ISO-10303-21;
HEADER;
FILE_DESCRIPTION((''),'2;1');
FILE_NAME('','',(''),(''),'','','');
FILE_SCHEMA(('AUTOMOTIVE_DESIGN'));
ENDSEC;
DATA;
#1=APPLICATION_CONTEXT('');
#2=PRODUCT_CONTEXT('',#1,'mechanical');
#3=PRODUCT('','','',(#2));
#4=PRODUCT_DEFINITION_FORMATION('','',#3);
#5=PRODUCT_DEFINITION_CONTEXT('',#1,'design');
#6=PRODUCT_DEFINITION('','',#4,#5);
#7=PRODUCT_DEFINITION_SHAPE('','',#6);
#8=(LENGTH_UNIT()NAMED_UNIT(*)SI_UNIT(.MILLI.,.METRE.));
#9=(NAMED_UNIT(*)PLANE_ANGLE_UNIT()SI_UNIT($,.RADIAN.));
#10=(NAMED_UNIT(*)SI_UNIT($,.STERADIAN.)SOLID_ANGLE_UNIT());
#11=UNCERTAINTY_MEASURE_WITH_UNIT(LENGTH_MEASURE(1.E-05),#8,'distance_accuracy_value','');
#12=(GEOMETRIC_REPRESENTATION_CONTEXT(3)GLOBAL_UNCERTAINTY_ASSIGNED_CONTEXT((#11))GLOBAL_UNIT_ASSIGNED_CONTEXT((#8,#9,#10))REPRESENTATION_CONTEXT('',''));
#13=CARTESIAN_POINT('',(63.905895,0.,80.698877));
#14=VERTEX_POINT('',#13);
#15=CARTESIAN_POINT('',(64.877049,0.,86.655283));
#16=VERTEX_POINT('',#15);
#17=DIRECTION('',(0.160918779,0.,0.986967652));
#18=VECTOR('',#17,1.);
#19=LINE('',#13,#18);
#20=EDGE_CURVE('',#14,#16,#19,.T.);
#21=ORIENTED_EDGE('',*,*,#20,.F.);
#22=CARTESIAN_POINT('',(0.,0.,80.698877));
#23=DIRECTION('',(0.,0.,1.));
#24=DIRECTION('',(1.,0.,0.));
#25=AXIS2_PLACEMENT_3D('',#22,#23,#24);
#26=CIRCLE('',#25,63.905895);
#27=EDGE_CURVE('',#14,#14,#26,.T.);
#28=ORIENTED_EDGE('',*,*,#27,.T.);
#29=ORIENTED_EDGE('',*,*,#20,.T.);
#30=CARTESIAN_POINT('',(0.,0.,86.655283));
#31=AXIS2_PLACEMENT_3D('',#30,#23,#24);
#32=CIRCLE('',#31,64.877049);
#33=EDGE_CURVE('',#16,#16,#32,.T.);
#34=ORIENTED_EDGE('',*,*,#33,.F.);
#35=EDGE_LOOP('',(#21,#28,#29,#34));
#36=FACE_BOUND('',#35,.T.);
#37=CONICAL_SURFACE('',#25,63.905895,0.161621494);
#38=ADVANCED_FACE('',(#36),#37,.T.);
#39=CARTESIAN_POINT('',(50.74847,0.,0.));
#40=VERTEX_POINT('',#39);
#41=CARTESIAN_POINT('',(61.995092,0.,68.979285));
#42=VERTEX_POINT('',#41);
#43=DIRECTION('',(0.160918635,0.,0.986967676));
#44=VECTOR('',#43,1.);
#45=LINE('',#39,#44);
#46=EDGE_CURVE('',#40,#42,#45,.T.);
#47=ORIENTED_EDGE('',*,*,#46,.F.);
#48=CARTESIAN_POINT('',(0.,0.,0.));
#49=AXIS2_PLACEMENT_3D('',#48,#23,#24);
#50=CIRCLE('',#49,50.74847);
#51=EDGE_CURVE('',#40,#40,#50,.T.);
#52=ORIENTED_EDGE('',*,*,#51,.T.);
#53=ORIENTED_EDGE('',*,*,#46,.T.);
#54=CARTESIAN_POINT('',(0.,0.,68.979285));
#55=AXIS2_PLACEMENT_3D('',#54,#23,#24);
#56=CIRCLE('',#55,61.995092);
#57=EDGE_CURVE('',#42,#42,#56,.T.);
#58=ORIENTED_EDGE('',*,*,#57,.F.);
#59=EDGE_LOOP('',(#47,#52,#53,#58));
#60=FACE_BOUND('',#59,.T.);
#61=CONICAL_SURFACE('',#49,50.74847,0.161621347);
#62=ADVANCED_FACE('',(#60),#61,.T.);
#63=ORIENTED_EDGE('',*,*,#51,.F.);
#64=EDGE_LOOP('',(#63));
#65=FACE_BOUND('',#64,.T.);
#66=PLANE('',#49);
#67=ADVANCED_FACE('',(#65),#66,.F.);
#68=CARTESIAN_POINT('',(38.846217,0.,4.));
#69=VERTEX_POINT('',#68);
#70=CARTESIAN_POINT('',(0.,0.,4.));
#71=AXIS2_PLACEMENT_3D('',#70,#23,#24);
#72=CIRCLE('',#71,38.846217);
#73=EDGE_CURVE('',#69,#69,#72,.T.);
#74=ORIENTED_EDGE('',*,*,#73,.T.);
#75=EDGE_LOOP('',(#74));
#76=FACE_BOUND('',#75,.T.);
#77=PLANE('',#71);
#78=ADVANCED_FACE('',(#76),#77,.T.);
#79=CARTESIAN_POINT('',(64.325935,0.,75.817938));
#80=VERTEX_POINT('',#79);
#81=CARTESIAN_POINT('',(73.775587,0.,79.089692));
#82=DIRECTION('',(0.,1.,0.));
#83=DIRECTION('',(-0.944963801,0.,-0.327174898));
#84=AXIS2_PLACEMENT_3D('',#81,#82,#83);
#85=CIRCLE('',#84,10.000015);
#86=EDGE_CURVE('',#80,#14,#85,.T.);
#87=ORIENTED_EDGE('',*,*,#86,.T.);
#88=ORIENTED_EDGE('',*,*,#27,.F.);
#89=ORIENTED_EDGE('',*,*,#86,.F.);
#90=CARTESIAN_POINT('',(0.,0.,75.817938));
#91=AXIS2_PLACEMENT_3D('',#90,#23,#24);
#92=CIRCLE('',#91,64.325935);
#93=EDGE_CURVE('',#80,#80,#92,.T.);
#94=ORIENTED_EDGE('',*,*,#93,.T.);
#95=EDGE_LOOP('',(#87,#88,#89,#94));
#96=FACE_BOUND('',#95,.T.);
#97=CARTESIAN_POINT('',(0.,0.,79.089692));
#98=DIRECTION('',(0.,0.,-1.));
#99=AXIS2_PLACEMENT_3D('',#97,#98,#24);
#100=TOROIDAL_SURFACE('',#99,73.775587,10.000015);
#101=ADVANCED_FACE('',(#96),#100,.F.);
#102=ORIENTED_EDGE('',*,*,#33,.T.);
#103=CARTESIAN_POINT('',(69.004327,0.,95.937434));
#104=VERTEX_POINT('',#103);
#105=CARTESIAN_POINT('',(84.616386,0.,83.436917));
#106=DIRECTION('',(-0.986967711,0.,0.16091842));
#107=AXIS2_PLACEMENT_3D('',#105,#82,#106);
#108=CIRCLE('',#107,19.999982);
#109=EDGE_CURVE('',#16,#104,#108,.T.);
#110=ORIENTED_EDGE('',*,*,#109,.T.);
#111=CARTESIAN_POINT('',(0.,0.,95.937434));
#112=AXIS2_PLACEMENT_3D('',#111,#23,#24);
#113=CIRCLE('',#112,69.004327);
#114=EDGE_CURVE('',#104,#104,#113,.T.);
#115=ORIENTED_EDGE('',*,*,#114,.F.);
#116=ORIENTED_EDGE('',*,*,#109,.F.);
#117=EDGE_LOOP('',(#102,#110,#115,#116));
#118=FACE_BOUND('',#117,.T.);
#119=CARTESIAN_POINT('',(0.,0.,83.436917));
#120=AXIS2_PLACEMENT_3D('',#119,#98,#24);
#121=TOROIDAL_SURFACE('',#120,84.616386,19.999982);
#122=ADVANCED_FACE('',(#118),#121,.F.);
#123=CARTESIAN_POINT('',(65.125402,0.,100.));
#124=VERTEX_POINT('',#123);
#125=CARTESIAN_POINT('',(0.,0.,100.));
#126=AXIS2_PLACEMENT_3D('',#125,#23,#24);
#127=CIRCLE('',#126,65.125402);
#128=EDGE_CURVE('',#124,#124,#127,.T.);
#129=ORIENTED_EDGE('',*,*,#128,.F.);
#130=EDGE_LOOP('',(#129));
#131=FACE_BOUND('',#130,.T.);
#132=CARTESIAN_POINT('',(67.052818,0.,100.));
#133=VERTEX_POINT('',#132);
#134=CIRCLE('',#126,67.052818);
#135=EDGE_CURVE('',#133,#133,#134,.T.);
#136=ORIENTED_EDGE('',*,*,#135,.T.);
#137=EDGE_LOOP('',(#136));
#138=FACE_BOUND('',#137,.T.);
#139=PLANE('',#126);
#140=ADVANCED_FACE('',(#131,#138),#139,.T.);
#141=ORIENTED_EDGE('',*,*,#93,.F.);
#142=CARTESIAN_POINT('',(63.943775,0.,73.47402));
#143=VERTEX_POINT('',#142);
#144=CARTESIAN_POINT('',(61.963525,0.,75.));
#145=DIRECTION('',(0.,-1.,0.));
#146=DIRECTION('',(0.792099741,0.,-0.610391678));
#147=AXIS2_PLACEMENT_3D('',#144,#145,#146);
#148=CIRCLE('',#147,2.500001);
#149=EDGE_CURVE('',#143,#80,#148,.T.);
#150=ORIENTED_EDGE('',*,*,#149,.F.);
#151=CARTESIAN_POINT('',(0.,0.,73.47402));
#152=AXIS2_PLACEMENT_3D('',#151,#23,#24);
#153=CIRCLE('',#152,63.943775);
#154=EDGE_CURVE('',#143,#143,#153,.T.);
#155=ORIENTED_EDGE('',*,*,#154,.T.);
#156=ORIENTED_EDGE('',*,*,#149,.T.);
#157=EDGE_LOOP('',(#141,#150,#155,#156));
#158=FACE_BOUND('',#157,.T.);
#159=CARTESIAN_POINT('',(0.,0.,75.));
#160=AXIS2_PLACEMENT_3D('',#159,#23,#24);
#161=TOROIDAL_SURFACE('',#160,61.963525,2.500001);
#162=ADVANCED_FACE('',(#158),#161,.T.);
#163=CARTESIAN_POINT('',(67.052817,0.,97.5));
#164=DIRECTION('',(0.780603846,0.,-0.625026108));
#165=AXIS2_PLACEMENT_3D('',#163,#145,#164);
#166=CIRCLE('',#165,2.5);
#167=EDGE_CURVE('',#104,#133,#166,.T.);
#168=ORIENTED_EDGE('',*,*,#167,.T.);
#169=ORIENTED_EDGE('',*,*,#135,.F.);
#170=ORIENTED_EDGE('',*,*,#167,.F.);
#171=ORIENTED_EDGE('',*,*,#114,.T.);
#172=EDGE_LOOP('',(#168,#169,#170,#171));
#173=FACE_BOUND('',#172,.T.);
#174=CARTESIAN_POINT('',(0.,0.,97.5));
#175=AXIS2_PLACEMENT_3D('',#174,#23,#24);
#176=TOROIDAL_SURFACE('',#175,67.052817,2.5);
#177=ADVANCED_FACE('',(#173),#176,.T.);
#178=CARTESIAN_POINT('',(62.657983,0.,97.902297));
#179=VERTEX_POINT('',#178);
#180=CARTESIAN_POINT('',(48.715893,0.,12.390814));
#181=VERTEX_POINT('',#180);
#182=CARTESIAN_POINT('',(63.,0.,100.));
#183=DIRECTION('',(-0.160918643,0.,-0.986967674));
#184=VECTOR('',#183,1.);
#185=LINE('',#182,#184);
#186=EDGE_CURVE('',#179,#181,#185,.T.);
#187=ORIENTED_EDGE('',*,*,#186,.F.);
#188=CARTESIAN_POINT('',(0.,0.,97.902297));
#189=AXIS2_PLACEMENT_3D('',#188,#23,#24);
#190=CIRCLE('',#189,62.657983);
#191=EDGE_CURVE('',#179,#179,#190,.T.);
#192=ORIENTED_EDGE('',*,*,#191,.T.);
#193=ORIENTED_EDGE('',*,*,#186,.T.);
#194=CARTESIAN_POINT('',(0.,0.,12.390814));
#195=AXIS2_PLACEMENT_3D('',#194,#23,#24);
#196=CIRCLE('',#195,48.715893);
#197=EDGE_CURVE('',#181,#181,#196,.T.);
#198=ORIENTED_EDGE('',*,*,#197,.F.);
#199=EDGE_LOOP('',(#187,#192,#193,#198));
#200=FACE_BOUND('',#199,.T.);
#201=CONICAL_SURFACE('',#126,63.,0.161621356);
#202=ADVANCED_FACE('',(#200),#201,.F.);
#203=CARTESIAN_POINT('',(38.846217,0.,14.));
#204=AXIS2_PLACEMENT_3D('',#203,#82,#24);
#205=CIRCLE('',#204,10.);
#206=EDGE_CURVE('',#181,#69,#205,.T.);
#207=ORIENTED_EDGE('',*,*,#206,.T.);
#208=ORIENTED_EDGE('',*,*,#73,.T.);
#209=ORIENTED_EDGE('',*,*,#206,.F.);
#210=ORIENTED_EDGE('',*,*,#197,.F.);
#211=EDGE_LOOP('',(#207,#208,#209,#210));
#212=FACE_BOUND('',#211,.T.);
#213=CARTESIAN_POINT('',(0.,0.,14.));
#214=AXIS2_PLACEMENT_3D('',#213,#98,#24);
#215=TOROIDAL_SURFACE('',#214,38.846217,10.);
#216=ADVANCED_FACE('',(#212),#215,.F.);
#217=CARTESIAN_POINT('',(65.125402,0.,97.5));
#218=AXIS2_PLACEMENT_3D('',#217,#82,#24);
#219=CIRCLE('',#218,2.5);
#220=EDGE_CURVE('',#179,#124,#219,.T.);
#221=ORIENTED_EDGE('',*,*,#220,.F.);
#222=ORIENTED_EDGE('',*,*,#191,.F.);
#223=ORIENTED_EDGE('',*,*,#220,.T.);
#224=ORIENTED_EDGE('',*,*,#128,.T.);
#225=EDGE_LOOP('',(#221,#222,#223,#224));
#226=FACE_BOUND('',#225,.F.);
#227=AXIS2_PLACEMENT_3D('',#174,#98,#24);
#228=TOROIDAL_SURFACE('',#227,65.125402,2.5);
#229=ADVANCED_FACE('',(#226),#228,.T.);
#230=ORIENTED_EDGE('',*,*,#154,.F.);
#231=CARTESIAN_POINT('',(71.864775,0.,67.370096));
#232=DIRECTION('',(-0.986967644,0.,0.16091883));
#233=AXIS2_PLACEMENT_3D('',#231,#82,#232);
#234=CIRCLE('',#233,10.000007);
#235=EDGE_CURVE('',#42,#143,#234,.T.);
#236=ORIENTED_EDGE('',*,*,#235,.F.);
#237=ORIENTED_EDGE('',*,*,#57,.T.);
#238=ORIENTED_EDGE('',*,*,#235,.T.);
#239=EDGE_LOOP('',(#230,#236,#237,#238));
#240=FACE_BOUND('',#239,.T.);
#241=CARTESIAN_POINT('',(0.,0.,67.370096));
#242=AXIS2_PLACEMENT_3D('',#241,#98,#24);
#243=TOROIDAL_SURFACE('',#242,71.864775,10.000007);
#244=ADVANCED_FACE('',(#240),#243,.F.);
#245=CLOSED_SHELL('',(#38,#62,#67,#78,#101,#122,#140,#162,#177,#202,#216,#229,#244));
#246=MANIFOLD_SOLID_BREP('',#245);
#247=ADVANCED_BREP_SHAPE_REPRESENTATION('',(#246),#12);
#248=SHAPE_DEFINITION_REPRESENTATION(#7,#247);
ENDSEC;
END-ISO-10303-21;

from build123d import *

# Parameters (mm, degrees)
F2_R = 10
F3_R = 2.5


with BuildPart() as f1:
    # F0 (on Front) → F1 (revolve)
    with BuildSketch(Plane.XZ):
        with BuildLine():
            Line((67.052818, 100), (63, 100))
            Line((63, 100), (47.347826, 4))
            Line((47.347826, 4), (0, 4))
            Line((0, 4), (0, 0))
            Line((0, 0), (50.74847, 0))
            Line((50.74847, 0), (61.995092, 68.979285))
            ThreePointArc((61.995092, 68.979285), (62.689931, 71.34783), (63.943775, 73.47402))
            ThreePointArc((63.943775, 73.47402), (64.430945, 74.597703), (64.325935, 75.817938))
            ThreePointArc((64.325935, 75.817938), (63.812397, 78.232288), (63.905895, 80.698877))
            Line((63.905895, 80.698877), (64.877049, 86.655283))
            ThreePointArc((64.877049, 86.655283), (66.341543, 91.562766), (69.004327, 95.937434))
            ThreePointArc((69.004327, 95.937434), (69.306305, 98.582494), (67.052818, 100))
        make_face()
    revolve(axis=Axis((0, 0, 51), (0, 0, 1)))

    # F2
    f2_edges = [f1.edges().sort_by_distance(p)[0] for p in [
        (-47.347826, 0, 4),
    ]]
    fillet(f2_edges, radius=F2_R)

    # F3
    f3_edges = [f1.edges().sort_by_distance(p)[0] for p in [
        (-63, 0, 100),
    ]]
    fillet(f3_edges, radius=F3_R)


solid = f1.part
